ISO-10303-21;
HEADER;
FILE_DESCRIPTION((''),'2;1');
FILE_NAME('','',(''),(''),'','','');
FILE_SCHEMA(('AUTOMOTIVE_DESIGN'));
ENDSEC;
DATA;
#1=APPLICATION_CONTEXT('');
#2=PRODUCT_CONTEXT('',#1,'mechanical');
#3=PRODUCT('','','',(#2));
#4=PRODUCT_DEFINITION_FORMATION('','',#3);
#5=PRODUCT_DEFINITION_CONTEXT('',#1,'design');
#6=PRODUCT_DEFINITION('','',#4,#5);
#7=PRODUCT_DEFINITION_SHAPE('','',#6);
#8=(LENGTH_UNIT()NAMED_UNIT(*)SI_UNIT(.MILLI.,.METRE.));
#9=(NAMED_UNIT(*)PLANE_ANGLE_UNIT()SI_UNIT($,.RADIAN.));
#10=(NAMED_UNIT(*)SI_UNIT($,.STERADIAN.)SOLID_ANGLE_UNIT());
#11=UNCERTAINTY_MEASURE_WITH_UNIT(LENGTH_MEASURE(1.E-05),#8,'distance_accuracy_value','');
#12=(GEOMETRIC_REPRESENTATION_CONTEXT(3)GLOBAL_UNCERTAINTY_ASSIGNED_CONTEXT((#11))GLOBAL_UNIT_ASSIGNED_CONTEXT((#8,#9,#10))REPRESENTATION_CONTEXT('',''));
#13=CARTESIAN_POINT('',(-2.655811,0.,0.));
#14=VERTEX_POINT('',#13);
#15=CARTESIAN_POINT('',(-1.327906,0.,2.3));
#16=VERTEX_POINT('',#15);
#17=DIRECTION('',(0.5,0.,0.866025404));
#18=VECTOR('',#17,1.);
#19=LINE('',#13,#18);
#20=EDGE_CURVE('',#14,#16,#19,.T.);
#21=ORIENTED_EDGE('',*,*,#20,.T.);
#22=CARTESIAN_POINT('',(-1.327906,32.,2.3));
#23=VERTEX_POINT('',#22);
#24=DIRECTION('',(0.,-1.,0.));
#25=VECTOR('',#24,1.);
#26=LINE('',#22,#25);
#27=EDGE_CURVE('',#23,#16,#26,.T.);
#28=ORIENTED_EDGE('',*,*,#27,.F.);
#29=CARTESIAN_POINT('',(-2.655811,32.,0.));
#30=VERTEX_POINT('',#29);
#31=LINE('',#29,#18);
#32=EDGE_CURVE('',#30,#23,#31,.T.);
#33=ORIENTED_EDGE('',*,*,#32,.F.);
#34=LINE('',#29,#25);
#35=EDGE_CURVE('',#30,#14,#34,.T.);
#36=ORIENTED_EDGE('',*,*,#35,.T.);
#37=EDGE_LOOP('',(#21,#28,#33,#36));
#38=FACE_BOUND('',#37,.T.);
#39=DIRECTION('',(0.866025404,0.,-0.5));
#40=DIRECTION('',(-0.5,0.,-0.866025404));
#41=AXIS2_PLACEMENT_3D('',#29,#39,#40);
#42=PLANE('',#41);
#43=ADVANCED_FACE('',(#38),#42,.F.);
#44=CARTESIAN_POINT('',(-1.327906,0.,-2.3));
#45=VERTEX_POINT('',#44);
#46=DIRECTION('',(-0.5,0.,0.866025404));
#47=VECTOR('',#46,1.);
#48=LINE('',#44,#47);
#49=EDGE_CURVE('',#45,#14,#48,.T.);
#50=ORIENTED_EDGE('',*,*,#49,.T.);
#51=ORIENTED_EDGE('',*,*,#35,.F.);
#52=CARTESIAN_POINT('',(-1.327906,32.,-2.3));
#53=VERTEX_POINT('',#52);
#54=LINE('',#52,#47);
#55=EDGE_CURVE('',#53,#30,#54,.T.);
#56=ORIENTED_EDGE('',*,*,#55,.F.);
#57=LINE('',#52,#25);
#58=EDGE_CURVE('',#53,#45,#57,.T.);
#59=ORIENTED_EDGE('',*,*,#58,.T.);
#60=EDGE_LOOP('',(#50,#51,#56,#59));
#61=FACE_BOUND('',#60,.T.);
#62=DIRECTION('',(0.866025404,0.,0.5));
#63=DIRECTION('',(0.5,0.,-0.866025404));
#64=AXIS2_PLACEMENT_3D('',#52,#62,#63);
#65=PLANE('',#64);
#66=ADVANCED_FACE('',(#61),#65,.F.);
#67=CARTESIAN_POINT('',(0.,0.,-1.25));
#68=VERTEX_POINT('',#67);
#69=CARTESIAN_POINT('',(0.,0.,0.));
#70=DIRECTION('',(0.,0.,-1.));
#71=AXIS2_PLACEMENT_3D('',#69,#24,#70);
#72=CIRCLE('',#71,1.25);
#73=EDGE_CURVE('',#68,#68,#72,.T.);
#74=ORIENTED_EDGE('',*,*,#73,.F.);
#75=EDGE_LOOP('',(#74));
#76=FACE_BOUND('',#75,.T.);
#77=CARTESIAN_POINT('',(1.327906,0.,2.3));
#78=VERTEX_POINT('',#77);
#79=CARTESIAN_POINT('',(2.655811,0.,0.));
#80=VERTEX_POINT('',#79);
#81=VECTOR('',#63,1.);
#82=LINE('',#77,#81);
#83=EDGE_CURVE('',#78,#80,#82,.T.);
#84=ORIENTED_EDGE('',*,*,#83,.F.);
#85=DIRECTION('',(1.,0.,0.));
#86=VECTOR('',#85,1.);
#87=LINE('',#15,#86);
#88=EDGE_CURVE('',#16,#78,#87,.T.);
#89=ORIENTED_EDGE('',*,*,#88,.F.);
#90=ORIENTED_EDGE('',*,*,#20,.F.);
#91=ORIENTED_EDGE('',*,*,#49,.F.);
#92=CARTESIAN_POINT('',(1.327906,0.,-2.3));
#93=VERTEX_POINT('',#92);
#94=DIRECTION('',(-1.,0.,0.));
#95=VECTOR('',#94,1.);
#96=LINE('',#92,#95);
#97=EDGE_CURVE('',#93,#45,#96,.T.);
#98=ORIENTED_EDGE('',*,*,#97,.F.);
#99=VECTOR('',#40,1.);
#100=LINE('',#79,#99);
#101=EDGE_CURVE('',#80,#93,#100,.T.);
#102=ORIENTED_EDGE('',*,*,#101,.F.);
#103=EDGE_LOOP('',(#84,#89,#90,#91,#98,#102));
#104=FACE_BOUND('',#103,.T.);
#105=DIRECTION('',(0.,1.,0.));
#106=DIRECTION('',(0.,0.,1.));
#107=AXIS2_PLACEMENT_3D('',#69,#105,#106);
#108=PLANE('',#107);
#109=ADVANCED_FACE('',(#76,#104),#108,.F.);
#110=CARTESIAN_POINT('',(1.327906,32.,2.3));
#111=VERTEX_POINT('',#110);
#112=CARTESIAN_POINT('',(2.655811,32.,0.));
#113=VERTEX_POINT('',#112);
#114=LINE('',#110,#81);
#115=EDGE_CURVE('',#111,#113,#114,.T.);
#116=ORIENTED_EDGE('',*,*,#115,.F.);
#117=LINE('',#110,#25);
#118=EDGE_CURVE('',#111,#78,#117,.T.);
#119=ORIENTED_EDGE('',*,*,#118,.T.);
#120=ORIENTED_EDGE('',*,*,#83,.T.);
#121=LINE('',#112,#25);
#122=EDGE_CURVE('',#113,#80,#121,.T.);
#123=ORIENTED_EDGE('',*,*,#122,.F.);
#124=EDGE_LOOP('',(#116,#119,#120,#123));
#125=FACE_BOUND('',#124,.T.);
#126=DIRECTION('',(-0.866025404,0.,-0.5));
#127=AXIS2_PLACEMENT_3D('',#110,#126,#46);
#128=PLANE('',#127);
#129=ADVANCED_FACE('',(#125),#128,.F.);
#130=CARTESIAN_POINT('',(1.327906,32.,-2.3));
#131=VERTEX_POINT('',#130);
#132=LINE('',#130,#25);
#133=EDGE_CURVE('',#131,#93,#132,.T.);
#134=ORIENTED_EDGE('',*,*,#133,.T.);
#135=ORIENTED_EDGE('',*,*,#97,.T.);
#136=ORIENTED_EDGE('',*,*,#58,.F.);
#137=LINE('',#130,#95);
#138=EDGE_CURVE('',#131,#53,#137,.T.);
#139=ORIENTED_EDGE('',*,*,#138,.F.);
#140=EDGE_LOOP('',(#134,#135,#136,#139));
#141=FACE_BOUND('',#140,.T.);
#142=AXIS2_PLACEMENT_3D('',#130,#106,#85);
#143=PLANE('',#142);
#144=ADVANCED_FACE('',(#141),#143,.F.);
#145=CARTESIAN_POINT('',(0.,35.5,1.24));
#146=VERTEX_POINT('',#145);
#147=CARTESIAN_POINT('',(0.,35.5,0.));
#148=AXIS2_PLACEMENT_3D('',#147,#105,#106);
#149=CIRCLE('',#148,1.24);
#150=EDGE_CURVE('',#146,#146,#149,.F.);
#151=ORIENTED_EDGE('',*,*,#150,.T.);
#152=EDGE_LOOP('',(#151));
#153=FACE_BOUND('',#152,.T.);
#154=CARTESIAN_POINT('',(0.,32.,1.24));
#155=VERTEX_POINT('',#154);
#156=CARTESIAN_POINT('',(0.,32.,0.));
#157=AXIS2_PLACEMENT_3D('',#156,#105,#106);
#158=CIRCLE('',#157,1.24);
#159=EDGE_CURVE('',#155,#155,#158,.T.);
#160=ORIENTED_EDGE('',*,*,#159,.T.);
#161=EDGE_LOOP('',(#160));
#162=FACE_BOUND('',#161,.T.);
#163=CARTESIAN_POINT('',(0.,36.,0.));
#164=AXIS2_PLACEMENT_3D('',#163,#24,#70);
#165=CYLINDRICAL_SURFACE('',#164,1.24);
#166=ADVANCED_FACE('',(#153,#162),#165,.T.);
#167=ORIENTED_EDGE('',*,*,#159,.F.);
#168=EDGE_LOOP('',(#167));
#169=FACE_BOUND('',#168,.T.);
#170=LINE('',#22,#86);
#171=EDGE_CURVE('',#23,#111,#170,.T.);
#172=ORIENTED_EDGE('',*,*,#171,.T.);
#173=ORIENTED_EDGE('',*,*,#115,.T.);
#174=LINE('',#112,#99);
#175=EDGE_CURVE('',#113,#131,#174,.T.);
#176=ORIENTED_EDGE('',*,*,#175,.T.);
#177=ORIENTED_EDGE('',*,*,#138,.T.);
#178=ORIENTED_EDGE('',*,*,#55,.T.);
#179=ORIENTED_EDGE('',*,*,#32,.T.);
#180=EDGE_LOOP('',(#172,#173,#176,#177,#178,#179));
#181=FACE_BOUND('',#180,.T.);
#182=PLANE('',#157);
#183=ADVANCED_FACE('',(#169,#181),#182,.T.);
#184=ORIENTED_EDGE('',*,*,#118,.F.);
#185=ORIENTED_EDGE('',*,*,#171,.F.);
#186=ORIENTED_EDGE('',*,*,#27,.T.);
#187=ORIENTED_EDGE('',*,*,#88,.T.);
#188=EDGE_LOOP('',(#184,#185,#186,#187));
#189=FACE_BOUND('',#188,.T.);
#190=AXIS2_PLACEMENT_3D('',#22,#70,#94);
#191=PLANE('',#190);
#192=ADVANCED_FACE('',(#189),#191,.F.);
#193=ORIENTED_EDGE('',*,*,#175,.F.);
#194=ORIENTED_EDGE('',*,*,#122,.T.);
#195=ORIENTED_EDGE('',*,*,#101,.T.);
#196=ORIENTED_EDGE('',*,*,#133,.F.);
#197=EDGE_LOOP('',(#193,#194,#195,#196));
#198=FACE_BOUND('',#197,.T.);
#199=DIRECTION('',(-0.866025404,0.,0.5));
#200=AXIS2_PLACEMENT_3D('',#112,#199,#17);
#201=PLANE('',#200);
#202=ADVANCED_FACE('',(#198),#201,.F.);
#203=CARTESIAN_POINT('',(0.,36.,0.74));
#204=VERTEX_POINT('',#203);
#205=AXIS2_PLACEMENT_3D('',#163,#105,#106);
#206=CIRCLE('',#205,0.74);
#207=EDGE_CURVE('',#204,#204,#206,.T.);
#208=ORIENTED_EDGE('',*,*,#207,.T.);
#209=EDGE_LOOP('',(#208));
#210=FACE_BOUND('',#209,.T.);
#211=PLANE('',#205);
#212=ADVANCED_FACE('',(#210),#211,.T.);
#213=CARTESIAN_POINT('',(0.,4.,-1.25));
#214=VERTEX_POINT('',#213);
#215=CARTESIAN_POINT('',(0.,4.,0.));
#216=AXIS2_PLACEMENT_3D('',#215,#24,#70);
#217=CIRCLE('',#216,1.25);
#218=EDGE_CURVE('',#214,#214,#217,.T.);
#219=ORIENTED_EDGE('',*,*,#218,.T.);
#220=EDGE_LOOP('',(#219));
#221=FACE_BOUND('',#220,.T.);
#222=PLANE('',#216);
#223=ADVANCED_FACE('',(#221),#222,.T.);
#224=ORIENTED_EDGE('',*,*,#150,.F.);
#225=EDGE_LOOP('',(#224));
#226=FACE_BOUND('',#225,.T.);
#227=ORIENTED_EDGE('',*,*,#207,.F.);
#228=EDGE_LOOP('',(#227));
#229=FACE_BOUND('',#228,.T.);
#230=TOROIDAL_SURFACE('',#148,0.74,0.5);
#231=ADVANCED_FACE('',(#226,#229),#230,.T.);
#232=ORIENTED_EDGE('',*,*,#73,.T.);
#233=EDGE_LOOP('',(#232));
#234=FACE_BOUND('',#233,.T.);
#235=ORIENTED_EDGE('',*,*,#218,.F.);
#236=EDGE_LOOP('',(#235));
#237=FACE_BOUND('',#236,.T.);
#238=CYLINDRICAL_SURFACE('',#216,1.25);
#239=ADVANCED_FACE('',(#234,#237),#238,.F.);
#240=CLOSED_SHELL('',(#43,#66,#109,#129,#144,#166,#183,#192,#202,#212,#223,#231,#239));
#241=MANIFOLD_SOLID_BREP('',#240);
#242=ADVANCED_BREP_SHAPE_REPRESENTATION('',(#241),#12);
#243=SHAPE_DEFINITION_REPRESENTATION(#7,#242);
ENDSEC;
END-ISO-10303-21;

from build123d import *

# Parameters (mm, degrees)
SALIENTE_EXTRUIR1_DEPTH = 32
CROQUIS_SUPERIOR_R      = 1.24
SALIENTE_EXTRUIR2_DEPTH = 4
REDONDEO1_R             = 0.5
CROQUIS_INFERIOR_R      = 1.25
CORTAR_EXTRUIR1_DEPTH   = 4


with BuildPart() as part:
    # Croquis base → Saliente-Extruir1 (new body)
    with BuildSketch(Plane(origin=(0, 0, 0), x_dir=(1, 0, 0), z_dir=(0, 1, 0))):
        Polygon((2.655811238, 0), (1.327905619, 2.3), (-1.327905619, 2.3), (-2.655811238, 0), (-1.327905619, -2.3), (1.327905619, -2.3), align=None)
    extrude(amount=SALIENTE_EXTRUIR1_DEPTH)

    # Croquis Superior → Saliente-Extruir2 (add)
    with BuildSketch(Plane(origin=(0, 32, 0), x_dir=(1, 0, 0), z_dir=(0, 1, 0))):
        with Locations(Location((0, 0, 0), (0, 0, 270))):
            Circle(CROQUIS_SUPERIOR_R)
    extrude(amount=SALIENTE_EXTRUIR2_DEPTH)

    # Redondeo1
    redondeo1_edges = [part.edges().sort_by_distance(p)[0] for p in [
        (0, 36, -1.24),
    ]]
    fillet(redondeo1_edges, radius=REDONDEO1_R)

    # Croquis inferior → Cortar-Extruir1 (cut)
    with BuildSketch(Plane(origin=(0, 0, 0), x_dir=(-1, 0, 0), z_dir=(0, -1, 0))):
        with Locations(Location((0, 0, 0), (0, 0, 90))):
            Circle(CROQUIS_INFERIOR_R)
    extrude(amount=-CORTAR_EXTRUIR1_DEPTH, mode=Mode.SUBTRACT)


solid = part.part
